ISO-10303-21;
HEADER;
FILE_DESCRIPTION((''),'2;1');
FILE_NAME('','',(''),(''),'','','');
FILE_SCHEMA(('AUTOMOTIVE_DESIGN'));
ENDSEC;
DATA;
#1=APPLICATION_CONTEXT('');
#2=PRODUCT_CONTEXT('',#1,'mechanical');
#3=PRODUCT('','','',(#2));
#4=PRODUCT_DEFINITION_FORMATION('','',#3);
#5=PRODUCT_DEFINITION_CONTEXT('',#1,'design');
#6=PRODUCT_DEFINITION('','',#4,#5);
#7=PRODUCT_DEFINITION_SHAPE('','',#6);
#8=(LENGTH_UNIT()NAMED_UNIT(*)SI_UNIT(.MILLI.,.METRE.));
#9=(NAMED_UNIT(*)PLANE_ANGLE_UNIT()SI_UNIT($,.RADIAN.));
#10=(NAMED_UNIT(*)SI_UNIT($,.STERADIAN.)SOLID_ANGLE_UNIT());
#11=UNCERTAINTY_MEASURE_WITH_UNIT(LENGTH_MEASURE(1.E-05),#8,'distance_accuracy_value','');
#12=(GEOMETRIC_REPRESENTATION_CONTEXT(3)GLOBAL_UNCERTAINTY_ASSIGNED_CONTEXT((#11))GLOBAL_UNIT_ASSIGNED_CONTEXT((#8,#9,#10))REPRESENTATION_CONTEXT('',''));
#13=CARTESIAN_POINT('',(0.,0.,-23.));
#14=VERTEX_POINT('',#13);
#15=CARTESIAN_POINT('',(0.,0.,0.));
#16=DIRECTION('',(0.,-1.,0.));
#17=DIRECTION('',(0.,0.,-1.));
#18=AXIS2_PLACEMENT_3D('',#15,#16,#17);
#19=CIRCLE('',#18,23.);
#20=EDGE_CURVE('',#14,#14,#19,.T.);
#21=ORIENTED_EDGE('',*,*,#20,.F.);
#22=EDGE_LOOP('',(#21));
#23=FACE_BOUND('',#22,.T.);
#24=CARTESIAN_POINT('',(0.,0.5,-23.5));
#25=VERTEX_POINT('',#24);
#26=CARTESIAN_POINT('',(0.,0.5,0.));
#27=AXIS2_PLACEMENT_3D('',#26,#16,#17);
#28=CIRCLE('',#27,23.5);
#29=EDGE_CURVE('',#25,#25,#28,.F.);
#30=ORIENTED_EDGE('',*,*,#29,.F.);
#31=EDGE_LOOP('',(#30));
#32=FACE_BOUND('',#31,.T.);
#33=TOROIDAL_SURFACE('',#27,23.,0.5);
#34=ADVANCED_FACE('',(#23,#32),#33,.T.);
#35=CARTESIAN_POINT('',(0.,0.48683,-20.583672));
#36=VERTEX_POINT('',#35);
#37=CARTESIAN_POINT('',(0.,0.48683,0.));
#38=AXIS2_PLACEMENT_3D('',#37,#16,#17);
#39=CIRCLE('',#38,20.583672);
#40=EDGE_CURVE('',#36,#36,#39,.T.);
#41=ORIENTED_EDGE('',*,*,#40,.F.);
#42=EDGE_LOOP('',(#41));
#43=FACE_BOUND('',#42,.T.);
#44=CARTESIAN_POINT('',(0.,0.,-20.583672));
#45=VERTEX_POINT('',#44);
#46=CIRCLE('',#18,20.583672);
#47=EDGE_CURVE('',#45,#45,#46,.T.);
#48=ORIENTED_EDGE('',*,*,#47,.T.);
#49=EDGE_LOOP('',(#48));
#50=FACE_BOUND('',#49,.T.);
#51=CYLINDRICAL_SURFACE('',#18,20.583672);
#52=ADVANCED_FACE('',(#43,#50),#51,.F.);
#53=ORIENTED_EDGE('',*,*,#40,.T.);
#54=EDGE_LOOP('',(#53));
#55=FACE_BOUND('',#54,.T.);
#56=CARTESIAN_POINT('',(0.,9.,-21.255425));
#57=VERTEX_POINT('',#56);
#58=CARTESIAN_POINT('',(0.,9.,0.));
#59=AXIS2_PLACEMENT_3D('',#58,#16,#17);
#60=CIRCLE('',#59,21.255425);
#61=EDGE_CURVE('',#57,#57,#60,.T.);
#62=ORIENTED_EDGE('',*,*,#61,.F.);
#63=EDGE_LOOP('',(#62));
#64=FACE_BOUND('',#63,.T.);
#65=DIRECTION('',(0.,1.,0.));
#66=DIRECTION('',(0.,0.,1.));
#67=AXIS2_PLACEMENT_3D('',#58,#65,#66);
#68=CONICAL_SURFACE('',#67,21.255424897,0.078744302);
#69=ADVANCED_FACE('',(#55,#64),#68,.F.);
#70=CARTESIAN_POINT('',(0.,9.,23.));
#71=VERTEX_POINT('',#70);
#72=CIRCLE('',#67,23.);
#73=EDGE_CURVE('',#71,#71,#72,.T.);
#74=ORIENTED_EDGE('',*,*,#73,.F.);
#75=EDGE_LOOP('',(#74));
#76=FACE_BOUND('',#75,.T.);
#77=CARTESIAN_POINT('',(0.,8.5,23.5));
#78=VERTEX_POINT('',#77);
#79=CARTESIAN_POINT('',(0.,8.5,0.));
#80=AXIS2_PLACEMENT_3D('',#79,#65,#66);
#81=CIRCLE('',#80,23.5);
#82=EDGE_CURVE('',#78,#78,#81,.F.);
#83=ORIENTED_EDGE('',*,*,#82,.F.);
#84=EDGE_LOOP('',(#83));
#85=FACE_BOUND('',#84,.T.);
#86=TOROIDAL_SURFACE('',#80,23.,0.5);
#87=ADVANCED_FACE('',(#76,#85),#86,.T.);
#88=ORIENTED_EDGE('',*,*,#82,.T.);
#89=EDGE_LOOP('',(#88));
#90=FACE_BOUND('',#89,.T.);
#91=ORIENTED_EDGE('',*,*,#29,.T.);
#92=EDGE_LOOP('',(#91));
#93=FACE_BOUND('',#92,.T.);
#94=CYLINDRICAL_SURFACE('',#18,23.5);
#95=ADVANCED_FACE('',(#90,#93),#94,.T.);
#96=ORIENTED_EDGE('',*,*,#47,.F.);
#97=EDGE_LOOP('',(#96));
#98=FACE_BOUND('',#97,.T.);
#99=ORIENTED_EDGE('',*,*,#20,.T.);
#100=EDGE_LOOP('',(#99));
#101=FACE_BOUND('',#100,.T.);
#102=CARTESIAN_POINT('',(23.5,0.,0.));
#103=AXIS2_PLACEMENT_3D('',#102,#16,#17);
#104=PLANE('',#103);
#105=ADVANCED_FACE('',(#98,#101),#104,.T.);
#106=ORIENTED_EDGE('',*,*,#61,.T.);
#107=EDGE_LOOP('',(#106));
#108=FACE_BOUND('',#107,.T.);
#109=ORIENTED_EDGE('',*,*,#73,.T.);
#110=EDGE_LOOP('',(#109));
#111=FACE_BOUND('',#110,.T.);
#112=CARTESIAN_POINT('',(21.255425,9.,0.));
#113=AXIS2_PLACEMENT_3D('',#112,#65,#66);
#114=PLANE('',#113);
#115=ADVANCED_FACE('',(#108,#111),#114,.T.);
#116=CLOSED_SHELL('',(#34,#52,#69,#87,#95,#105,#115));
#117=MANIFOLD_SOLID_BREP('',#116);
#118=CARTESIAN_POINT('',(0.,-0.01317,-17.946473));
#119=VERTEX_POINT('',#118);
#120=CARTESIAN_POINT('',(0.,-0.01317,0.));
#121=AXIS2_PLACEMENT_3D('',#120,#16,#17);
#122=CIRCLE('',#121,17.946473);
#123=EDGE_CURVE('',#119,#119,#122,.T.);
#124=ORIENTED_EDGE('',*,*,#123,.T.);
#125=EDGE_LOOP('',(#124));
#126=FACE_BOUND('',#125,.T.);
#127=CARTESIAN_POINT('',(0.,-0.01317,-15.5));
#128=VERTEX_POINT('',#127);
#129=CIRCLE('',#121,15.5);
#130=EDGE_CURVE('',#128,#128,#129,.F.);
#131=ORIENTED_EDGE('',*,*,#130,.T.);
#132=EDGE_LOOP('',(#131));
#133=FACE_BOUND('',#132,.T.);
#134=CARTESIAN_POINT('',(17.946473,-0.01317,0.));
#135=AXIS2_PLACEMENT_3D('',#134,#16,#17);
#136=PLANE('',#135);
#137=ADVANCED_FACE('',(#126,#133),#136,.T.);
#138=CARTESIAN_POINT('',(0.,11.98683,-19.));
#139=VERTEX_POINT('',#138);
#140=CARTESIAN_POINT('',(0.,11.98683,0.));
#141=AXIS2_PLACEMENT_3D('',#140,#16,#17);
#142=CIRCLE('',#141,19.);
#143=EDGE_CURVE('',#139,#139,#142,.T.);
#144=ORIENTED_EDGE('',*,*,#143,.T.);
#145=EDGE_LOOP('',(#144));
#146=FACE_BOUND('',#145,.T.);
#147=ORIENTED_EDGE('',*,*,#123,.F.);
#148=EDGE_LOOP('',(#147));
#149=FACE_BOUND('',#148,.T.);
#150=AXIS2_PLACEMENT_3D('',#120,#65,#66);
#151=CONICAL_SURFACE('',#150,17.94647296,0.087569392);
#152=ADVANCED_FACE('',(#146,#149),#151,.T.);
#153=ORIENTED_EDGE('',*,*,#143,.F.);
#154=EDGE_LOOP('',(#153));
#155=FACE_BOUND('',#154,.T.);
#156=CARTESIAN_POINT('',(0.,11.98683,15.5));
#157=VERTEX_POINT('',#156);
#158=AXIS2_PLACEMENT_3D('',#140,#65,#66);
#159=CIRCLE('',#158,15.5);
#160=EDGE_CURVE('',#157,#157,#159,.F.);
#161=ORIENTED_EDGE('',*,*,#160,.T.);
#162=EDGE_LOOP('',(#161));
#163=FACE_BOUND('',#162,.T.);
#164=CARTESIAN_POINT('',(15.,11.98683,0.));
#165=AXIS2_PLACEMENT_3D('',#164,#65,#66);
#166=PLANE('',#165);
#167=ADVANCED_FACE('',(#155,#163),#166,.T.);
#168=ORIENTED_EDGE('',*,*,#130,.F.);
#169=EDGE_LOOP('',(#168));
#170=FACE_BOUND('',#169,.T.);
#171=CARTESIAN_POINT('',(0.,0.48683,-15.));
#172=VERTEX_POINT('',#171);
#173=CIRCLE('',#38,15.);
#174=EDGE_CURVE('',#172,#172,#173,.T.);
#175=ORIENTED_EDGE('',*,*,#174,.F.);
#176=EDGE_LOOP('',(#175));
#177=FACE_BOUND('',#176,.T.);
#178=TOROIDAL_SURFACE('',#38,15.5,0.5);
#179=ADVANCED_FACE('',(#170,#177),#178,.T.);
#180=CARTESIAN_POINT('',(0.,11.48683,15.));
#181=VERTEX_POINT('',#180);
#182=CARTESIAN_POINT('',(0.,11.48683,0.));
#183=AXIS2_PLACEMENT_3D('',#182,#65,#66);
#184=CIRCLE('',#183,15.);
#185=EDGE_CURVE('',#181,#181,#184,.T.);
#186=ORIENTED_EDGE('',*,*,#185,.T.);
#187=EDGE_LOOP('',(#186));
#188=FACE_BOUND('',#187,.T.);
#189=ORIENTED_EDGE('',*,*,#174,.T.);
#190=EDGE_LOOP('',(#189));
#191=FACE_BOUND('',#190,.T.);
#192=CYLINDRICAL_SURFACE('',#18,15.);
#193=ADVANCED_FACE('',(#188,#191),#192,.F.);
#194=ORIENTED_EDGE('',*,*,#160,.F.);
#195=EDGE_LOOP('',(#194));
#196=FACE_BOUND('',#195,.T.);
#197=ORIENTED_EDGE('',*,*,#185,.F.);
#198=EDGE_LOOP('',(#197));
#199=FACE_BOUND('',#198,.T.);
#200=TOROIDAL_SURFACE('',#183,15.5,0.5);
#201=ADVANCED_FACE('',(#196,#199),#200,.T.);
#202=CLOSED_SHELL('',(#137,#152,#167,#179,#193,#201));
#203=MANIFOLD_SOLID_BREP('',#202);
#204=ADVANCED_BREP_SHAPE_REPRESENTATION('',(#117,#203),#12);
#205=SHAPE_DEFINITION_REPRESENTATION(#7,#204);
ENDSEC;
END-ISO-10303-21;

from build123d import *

# Parameters (mm, degrees)
VERRUNDUNG1_R = 0.5
VERRUNDUNG2_R = 0.5


with BuildPart() as part:
    # Skizze1 → Rotation1 (revolve)
    with BuildSketch(Plane.XY, mode=Mode.PRIVATE) as rotation1_sk:
        Polygon((15, -0.013170206), (15, 11.986829794), (19, 11.986829794), (17.94647296, -0.013170206), align=None)
        Polygon((21.255424897, 9), (23.5, 9), (23.5, 0), (20.583672238, 0), (20.583672238, 0.486829794), align=None)
    revolve(rotation1_sk.sketch.rotate(Axis((0, 0, 0), (0, 1, 0)), 90), axis=Axis((0, 0, 0), (0, 1, 0)))

    # Verrundung1
    verrundung1_edges = [part.edges().sort_by_distance(p)[0] for p in [
        (0, 11.986829794, 15),
        (0, -0.013170206, 15),
    ]]
    fillet(verrundung1_edges, radius=VERRUNDUNG1_R)

    # Verrundung2
    verrundung2_edges = [part.edges().sort_by_distance(p)[0] for p in [
        (0, 0, 23.5),
        (0, 9, 23.5),
    ]]
    fillet(verrundung2_edges, radius=VERRUNDUNG2_R)


solid = part.part
